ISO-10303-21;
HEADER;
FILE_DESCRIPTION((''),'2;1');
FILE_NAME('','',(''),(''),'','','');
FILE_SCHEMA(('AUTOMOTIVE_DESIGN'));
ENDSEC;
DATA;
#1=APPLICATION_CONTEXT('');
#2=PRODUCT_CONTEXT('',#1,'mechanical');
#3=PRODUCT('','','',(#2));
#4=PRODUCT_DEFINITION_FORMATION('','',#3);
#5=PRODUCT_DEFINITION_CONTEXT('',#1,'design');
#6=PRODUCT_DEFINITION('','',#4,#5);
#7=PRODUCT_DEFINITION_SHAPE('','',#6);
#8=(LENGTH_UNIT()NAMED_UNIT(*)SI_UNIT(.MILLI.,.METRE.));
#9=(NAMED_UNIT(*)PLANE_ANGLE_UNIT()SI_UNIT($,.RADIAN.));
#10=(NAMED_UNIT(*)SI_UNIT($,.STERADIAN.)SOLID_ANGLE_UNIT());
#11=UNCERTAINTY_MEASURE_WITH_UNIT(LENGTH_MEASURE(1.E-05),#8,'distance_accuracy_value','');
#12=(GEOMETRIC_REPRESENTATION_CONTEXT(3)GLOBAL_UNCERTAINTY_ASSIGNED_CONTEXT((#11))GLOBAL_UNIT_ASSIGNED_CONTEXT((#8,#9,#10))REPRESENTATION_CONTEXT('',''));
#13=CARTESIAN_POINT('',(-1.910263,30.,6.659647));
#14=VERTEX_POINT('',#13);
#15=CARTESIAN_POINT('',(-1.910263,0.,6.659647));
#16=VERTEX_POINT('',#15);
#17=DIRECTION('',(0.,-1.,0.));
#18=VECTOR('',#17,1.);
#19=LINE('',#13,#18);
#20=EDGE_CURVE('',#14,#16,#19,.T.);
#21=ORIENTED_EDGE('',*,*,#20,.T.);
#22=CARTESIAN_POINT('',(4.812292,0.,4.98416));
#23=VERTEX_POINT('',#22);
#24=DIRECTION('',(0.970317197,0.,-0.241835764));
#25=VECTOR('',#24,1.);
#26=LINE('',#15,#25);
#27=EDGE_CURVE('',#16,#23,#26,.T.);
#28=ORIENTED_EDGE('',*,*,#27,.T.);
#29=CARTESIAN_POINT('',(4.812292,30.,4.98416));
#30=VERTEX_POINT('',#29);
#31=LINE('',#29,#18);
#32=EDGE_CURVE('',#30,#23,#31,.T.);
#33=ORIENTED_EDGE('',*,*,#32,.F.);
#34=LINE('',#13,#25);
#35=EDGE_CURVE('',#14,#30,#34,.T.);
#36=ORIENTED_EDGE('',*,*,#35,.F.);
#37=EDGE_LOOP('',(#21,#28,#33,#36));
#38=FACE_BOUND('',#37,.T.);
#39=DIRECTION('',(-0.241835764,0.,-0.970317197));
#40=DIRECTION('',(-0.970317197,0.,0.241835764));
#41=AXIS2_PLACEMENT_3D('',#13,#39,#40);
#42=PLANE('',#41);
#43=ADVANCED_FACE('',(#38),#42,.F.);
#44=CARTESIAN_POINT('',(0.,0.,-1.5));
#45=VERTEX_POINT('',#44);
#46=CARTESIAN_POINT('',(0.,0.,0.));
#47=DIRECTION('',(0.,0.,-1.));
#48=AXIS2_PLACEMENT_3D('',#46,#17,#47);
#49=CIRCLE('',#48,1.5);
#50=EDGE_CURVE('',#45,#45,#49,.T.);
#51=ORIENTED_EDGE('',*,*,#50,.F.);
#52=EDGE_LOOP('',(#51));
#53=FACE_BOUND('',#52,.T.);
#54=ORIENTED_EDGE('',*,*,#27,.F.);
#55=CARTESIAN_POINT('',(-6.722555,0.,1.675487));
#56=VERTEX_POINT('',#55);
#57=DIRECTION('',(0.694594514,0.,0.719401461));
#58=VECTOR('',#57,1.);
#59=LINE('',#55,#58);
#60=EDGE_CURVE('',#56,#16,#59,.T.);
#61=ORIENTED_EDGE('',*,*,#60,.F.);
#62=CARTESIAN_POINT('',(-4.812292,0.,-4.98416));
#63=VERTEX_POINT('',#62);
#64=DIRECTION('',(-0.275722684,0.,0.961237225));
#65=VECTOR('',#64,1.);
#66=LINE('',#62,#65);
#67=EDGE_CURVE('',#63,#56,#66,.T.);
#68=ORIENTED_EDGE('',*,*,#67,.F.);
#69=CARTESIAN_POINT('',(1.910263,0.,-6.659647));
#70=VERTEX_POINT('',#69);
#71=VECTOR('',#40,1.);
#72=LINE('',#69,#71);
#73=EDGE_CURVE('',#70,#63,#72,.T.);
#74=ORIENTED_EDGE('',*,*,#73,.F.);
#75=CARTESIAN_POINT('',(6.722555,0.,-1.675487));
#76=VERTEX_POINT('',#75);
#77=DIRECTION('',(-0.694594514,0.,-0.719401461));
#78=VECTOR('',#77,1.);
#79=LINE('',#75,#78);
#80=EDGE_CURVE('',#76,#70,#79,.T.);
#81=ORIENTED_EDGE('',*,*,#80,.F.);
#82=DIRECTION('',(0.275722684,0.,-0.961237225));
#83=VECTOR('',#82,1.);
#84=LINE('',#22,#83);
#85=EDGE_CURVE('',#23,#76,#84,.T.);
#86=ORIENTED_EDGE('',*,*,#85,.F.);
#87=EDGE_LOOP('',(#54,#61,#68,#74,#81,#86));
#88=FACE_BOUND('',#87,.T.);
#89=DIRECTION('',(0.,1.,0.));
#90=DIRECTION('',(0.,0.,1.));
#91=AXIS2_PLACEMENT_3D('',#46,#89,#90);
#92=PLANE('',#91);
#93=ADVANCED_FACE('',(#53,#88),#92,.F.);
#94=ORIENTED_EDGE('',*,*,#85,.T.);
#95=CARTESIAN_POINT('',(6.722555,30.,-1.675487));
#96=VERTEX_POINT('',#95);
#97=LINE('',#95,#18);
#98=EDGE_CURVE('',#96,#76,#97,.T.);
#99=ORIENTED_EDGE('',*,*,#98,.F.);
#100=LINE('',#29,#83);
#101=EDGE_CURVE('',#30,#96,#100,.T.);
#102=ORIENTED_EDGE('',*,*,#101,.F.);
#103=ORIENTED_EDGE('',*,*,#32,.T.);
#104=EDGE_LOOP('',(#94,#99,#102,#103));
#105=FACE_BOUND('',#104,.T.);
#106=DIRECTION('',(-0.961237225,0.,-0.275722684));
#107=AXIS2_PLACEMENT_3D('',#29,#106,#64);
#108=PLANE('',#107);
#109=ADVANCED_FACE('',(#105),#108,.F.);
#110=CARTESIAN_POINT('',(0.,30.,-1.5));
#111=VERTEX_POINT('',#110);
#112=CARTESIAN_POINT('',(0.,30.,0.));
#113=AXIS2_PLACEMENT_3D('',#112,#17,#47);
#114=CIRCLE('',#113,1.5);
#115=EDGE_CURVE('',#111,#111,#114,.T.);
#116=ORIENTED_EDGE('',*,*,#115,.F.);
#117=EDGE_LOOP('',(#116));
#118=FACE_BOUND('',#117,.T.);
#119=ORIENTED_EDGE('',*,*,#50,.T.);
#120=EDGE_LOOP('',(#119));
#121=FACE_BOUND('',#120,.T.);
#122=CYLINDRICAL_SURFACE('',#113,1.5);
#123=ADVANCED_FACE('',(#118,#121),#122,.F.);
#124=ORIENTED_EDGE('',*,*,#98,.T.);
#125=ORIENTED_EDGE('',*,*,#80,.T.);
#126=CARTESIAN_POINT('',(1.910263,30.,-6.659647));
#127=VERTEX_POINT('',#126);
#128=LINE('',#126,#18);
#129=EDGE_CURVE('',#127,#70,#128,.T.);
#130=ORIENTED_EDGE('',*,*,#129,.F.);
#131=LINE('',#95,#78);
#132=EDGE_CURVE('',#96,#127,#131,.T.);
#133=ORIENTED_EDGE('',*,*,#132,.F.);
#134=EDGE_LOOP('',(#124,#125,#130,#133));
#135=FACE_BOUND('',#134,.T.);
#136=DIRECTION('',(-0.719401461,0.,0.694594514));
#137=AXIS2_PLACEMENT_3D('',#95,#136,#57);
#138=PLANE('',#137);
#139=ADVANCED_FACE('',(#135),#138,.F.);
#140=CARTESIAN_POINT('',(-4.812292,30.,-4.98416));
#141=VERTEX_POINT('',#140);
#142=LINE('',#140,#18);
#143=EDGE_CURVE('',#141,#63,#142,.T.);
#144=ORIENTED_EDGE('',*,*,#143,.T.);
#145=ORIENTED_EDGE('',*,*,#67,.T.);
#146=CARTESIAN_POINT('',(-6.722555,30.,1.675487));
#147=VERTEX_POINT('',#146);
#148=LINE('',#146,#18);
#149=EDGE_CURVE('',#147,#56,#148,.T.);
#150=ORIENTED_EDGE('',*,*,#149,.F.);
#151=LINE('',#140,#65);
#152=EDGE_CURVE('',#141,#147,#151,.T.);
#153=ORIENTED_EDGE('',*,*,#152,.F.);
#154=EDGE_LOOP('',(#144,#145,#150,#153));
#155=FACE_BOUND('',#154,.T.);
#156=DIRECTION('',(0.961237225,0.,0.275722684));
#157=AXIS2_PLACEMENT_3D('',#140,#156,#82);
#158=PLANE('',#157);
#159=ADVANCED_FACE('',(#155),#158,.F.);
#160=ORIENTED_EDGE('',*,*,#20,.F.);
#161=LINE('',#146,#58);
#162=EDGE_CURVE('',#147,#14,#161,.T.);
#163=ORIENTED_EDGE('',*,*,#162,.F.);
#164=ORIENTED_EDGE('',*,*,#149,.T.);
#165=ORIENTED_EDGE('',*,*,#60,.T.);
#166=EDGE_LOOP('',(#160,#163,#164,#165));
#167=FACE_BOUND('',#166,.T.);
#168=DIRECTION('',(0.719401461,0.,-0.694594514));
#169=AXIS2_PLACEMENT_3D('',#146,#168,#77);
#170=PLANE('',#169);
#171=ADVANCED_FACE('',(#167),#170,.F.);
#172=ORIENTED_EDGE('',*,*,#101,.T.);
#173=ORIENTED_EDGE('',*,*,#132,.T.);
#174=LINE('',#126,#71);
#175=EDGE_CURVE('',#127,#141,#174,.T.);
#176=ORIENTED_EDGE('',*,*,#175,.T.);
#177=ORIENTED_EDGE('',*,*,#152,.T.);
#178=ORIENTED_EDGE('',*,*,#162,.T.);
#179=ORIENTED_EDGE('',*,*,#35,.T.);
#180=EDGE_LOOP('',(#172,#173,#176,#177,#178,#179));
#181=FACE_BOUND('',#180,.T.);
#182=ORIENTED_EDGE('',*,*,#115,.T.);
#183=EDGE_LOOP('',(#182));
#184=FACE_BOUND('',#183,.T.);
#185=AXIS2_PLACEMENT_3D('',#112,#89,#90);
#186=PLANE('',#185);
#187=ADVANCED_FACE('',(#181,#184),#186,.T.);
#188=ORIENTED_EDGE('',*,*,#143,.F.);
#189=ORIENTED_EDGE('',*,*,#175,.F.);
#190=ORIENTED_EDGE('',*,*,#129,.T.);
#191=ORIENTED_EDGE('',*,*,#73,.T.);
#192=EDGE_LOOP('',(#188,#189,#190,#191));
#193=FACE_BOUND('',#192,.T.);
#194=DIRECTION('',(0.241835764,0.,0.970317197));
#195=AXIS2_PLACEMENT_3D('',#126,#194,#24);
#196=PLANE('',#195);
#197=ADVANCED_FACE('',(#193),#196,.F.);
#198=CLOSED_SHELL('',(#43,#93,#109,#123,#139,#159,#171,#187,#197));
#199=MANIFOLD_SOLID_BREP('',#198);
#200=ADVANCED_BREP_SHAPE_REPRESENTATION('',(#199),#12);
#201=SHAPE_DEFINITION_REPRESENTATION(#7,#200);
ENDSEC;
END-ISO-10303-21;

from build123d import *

# Parameters (mm, degrees)
RESSALTO_EXTRUS_O1_DEPTH = 30
ESBO_O2_R                = 1.5
CORTE_EXTRUS_O1_DEPTH    = 30


with BuildPart() as part:
    # Esboço1 → Ressalto-extrusão1 (new body)
    with BuildSketch(Plane(origin=(0, 0, 0), x_dir=(1, 0, 0), z_dir=(0, 1, 0))):
        Polygon((4.812291954, -4.984159523), (6.72255474, 1.675487321), (1.910262787, 6.659646844), (-4.812291954, 4.984159523), (-6.72255474, -1.675487321), (-1.910262787, -6.659646844), align=None)
    extrude(amount=RESSALTO_EXTRUS_O1_DEPTH)

    # Esboço2 → Corte-extrusão1 (cut)
    with BuildSketch(Plane.XZ):
        with Locations(Location((0, 0, 0), (0, 0, 270))):
            Circle(ESBO_O2_R)
    extrude(amount=-CORTE_EXTRUS_O1_DEPTH, mode=Mode.SUBTRACT)


solid = part.part
